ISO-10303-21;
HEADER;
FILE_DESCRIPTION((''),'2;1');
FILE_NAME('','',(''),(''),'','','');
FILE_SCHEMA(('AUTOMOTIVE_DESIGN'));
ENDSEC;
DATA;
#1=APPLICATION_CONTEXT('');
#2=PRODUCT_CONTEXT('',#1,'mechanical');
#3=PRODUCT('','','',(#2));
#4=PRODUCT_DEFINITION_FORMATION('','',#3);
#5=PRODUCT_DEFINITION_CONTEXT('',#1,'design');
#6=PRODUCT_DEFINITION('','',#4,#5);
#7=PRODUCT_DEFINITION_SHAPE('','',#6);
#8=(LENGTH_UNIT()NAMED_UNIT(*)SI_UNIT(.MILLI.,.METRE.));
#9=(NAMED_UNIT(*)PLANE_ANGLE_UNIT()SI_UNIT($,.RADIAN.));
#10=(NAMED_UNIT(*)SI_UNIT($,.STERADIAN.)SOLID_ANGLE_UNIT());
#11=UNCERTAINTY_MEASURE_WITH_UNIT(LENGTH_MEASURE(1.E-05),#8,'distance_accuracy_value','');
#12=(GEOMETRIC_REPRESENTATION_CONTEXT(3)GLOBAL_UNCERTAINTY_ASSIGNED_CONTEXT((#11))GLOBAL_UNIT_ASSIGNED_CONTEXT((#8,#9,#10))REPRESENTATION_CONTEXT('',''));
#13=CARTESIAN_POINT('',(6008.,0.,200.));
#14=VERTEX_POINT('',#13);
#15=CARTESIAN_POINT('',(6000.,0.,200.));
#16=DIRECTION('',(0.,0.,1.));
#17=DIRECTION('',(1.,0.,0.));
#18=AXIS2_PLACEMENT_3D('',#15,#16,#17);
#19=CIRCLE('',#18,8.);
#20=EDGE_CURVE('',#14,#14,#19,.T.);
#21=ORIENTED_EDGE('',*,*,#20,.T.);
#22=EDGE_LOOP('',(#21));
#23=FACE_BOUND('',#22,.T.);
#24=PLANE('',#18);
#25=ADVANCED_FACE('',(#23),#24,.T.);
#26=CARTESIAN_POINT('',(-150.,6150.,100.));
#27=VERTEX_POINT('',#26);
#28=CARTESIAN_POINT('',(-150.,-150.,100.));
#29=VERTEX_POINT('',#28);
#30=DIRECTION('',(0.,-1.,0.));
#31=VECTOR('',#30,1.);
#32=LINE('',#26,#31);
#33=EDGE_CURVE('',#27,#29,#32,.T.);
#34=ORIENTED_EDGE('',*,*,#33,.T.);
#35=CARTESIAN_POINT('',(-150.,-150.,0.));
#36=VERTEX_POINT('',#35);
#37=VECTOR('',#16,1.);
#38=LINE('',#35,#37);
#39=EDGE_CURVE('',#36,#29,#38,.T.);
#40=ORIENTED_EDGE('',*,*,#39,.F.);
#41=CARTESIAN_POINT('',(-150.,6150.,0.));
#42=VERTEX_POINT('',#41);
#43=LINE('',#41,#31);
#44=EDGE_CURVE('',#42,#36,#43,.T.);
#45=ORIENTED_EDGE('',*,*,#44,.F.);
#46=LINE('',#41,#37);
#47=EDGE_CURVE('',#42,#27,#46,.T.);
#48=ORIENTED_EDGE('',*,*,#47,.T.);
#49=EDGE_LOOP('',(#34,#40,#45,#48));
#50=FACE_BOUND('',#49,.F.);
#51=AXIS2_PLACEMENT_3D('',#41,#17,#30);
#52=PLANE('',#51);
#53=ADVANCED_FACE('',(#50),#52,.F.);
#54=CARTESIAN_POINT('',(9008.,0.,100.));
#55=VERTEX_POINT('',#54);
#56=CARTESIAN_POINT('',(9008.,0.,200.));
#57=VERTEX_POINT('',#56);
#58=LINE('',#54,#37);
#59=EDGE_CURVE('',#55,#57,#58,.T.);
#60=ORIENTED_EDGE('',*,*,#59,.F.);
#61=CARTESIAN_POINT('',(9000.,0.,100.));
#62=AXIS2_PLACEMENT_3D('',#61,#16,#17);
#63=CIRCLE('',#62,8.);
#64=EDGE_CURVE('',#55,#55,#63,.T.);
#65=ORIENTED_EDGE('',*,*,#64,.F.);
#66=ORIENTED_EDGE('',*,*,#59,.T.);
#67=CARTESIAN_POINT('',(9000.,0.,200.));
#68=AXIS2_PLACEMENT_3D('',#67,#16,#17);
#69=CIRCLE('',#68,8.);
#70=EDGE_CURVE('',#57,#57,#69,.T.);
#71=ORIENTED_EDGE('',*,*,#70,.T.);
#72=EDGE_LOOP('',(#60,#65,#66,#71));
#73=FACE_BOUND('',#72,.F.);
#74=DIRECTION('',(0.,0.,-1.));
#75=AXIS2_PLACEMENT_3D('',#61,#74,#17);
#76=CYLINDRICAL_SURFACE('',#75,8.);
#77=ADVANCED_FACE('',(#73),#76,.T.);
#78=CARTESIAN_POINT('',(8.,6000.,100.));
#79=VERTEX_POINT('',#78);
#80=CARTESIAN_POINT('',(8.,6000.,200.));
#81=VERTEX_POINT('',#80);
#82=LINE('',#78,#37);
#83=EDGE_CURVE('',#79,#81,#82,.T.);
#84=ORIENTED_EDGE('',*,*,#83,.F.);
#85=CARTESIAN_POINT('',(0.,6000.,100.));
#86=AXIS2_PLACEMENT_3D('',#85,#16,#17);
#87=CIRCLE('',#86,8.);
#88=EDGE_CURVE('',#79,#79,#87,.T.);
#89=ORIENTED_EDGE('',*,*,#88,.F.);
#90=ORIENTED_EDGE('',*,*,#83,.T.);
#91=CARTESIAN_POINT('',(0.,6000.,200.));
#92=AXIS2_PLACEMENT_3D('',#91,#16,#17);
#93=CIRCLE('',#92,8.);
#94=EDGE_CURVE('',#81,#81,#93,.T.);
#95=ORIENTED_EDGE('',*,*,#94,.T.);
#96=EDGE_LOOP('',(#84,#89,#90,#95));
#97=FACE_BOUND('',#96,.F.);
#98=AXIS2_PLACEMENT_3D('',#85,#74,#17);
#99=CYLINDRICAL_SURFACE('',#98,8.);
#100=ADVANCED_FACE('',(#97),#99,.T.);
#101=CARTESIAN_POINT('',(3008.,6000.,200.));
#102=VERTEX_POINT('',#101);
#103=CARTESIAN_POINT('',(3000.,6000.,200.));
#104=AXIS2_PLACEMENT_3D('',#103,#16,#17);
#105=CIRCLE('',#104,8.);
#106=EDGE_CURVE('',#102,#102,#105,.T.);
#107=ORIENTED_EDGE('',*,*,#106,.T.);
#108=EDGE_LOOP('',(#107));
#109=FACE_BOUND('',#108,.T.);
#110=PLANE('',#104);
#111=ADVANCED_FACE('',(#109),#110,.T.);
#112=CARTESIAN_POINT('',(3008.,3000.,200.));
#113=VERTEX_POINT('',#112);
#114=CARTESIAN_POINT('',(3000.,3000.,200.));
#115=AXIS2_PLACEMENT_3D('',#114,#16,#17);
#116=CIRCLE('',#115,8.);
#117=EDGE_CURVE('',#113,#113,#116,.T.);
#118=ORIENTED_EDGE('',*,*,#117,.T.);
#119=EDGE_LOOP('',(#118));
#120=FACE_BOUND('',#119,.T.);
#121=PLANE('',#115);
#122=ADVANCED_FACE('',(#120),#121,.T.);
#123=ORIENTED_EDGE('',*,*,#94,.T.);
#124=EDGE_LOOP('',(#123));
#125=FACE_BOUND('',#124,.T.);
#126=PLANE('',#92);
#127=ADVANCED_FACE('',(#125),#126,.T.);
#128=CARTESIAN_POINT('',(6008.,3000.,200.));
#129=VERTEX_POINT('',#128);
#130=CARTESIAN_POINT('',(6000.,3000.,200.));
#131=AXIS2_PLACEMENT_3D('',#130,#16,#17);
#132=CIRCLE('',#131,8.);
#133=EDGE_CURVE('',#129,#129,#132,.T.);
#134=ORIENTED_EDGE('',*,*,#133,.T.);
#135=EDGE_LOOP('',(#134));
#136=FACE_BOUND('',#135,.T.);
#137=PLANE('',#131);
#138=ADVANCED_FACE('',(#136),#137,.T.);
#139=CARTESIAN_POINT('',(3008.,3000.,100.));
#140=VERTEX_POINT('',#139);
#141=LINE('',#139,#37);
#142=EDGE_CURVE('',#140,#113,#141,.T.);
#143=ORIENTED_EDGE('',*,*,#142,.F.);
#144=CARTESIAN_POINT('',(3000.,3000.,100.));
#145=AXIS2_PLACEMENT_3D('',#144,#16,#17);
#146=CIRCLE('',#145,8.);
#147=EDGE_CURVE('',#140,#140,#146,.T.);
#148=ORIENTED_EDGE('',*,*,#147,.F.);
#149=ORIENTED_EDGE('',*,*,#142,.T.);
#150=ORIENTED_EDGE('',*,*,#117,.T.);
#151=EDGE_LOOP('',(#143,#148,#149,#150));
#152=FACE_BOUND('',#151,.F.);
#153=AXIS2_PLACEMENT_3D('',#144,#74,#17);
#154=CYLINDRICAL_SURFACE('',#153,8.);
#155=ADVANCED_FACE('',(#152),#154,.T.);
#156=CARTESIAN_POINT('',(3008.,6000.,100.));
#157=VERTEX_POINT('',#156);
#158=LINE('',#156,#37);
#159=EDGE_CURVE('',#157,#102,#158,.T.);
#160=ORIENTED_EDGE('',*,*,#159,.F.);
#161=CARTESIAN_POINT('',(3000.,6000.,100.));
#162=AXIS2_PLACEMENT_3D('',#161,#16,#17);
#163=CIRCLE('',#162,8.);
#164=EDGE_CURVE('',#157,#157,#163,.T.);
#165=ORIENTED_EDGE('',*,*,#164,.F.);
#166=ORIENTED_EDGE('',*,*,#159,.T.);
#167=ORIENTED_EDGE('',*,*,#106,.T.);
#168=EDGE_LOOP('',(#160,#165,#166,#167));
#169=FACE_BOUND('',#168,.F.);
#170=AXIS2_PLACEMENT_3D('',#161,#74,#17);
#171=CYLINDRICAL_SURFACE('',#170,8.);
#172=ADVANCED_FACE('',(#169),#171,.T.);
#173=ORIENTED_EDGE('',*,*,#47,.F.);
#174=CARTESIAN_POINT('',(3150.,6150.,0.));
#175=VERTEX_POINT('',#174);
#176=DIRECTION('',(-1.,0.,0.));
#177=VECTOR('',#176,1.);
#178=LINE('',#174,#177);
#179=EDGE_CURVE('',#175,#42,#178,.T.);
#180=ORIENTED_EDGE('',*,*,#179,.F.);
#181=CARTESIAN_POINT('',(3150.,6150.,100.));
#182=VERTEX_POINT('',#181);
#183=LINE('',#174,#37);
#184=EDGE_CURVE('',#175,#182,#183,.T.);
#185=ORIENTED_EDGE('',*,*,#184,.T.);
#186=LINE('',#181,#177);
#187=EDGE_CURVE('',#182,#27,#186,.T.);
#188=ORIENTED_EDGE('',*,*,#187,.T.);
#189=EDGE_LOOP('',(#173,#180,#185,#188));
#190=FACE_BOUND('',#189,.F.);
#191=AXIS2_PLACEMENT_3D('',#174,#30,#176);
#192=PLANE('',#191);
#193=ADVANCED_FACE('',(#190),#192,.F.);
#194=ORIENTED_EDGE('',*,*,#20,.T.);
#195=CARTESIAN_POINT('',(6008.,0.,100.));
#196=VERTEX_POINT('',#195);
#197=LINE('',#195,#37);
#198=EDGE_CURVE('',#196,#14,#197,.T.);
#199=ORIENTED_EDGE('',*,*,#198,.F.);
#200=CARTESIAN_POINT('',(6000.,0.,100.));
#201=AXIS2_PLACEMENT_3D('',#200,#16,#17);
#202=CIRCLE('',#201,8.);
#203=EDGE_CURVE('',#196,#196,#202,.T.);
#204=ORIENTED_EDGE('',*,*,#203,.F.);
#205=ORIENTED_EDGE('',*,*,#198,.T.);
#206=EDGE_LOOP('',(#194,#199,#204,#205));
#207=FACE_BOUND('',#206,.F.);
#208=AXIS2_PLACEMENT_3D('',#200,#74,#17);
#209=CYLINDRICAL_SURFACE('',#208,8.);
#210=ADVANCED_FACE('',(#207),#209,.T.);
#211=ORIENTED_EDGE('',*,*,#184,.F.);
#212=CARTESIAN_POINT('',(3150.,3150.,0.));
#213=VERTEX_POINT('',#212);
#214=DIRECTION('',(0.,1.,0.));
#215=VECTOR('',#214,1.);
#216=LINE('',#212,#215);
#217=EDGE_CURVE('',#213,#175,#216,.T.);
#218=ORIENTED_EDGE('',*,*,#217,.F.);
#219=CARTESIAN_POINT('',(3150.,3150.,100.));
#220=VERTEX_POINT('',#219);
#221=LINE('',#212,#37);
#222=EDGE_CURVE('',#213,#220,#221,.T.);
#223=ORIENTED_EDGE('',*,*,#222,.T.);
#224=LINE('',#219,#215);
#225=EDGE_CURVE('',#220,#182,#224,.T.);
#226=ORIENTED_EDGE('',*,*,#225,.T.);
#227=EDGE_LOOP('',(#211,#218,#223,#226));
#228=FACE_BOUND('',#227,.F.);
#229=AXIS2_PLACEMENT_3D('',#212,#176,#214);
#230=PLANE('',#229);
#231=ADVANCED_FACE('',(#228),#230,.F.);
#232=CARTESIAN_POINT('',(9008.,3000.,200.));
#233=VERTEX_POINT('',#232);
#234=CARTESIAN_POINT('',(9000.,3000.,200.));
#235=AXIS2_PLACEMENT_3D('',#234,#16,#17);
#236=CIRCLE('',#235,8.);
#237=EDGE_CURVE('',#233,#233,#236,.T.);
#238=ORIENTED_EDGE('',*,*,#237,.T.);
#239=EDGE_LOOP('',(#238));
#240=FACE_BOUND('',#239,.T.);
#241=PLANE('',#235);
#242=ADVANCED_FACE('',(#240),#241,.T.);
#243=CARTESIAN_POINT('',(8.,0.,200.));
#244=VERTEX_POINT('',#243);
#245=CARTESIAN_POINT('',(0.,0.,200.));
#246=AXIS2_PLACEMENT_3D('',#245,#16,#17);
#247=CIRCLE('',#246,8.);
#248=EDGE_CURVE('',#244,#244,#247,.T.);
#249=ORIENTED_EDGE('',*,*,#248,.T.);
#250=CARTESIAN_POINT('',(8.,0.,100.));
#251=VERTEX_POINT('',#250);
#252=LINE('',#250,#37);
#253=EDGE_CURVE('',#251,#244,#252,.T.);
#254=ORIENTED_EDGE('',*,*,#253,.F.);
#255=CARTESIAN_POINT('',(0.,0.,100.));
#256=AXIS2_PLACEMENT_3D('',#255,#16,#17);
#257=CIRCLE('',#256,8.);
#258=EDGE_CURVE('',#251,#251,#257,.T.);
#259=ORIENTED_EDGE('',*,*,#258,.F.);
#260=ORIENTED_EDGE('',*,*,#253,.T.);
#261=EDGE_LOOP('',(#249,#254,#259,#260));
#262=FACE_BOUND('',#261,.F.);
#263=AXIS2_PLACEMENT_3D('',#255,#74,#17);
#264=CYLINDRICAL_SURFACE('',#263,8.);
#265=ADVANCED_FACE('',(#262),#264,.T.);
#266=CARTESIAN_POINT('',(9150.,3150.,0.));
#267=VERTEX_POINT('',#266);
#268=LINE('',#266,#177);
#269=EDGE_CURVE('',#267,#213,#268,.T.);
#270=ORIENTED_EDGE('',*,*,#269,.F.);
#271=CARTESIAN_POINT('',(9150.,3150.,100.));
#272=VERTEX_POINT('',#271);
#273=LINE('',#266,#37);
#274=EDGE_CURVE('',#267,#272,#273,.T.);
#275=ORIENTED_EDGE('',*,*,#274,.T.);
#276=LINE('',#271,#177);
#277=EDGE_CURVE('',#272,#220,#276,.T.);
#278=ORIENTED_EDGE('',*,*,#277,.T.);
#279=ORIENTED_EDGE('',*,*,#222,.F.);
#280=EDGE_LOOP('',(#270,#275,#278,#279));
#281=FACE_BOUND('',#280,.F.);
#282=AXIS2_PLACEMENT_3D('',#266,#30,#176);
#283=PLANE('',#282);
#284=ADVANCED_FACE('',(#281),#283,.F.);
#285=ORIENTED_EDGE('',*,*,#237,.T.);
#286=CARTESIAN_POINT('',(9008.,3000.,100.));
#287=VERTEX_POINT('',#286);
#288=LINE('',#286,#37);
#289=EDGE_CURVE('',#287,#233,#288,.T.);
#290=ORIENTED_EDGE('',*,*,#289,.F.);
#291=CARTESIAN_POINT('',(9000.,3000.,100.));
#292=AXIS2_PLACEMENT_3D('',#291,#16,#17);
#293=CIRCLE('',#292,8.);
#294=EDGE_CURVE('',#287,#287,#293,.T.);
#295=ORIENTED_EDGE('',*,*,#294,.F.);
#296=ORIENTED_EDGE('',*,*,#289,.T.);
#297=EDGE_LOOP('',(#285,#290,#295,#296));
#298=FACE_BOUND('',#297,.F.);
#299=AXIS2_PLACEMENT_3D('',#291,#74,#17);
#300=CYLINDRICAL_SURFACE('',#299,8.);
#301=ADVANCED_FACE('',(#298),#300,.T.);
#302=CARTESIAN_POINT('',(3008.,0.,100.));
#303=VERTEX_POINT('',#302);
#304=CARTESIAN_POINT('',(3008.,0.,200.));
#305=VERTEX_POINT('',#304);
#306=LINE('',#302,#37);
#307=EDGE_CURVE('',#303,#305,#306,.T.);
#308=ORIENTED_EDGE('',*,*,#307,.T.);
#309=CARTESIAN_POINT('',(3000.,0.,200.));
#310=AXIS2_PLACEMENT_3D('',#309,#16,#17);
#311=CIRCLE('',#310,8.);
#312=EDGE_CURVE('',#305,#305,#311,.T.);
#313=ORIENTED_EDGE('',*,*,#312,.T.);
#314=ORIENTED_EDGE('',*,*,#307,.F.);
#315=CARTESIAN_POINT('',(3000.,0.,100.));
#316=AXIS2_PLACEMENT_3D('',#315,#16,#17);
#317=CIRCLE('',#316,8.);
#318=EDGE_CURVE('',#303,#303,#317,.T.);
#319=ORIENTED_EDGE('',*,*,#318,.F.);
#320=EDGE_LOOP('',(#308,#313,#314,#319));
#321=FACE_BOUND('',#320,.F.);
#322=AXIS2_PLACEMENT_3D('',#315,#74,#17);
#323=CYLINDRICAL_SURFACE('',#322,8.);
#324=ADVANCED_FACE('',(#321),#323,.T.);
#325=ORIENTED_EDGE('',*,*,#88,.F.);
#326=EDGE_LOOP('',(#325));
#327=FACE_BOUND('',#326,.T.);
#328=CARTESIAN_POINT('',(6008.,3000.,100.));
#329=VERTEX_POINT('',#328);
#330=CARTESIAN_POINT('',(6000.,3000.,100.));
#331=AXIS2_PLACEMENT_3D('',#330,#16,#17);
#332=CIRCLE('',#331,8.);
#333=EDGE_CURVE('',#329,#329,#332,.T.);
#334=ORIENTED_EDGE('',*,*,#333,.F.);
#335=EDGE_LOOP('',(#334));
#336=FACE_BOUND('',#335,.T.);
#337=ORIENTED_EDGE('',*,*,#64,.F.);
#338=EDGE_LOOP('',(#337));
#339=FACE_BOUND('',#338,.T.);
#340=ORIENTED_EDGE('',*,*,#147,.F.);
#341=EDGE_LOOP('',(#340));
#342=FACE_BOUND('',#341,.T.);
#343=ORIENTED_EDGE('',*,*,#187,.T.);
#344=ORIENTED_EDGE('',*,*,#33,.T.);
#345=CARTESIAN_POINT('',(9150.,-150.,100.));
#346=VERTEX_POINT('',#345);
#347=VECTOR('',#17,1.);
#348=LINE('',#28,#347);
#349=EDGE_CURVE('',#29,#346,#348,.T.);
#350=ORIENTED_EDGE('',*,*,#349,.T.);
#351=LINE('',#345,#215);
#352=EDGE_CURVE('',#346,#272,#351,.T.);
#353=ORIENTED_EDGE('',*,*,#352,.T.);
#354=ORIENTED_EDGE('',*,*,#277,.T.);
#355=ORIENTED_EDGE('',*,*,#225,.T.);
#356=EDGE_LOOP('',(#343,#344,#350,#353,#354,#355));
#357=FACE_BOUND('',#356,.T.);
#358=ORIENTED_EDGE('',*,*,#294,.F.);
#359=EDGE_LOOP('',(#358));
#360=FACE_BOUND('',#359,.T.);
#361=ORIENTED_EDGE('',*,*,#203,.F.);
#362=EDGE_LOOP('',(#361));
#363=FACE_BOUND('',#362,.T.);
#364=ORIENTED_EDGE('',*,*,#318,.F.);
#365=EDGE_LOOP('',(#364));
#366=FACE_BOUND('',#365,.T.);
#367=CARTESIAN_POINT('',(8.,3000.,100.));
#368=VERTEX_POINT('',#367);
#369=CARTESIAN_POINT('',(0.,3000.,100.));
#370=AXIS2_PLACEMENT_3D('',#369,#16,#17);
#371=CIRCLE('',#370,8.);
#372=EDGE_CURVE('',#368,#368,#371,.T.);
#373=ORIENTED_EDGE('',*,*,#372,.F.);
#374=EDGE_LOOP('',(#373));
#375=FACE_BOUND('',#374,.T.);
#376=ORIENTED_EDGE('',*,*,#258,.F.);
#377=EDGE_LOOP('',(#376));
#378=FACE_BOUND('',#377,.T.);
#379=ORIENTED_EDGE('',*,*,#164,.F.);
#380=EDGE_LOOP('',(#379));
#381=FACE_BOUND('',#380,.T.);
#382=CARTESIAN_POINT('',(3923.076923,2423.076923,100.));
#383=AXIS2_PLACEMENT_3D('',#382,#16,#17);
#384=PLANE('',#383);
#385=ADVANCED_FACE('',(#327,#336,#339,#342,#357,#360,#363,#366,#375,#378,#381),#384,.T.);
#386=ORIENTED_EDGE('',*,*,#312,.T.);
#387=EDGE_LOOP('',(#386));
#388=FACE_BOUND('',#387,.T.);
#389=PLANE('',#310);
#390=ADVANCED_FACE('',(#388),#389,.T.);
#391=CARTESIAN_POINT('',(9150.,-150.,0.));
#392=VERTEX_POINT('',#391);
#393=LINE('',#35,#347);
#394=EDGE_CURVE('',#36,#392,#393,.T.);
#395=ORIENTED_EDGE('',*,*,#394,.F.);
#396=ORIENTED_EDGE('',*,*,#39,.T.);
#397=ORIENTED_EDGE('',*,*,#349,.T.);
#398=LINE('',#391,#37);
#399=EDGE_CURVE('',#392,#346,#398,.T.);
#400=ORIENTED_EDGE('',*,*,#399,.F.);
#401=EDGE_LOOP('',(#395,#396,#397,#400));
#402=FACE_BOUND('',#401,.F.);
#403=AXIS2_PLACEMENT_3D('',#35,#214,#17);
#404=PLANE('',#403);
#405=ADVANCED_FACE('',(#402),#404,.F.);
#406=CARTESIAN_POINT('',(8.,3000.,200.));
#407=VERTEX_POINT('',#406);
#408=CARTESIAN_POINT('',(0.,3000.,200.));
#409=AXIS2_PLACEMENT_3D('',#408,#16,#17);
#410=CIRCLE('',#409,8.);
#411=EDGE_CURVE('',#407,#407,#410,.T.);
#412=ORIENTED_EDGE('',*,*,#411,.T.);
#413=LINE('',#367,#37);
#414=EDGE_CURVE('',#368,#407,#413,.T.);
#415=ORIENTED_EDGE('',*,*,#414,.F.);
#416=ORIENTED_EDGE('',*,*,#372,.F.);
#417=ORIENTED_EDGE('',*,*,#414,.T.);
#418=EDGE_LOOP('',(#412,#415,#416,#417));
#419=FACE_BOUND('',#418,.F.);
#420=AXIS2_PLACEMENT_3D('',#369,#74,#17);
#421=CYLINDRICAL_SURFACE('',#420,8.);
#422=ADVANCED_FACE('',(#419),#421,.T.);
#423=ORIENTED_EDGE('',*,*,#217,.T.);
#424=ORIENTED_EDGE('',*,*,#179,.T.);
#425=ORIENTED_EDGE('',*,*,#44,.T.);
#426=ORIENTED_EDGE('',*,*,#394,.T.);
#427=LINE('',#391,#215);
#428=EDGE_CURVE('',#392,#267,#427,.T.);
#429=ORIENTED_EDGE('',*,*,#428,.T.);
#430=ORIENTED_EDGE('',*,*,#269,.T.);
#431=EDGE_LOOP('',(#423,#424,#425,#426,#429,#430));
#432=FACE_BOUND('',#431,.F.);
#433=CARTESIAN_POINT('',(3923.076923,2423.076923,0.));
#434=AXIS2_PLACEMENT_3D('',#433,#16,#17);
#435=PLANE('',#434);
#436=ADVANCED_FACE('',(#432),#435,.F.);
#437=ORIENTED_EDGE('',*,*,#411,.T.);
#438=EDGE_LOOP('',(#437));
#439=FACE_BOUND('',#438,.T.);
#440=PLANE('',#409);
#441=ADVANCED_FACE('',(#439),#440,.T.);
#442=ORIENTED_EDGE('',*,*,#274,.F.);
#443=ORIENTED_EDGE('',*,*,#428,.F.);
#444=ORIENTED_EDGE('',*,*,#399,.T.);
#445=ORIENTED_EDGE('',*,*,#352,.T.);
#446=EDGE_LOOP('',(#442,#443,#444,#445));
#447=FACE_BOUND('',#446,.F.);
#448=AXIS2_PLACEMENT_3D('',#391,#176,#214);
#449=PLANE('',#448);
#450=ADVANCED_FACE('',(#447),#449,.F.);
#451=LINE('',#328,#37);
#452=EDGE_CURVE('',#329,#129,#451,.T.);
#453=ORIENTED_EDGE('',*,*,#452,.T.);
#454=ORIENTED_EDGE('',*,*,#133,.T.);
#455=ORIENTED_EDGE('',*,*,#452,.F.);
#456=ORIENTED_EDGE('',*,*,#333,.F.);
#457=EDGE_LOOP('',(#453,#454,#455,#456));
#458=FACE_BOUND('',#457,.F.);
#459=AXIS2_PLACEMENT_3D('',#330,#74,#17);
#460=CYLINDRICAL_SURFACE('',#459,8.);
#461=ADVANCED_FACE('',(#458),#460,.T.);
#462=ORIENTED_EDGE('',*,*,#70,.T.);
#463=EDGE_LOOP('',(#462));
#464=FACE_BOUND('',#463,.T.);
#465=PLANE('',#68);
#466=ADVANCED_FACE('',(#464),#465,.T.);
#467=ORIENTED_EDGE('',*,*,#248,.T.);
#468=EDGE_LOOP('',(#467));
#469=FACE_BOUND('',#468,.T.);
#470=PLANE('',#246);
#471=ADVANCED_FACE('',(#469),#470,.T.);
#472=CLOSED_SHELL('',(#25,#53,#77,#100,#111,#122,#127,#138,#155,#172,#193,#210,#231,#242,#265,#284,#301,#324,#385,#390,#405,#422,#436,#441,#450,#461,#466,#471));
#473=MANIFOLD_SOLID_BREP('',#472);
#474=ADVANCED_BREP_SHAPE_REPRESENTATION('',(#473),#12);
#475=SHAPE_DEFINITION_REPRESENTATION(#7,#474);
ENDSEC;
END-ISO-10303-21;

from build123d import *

# Parameters (mm, degrees)
F1_DEPTH = 100
F2_R     = 8
F3_DEPTH = 100


with BuildPart() as f1:
    # F0 (on Top) → F1 (new body)
    with BuildSketch(Plane.XY):
        Polygon((-150, 6150), (-150, -150), (9150, -150), (9150, 3150), (3150, 3150), (3150, 6150), align=None)
    extrude(amount=F1_DEPTH)

    # F2 (on face) → F3 (join)
    with BuildSketch(Plane.XY.offset(100)):
        with Locations((9000, 0)):
            Circle(F2_R)
        with Locations((9000, 3000)):
            Circle(F2_R)
        with Locations((6000, 0)):
            Circle(F2_R)
        with Locations((6000, 3000)):
            Circle(F2_R)
        with Locations((3000, 0)):
            Circle(F2_R)
        with Locations((3000, 3000)):
            Circle(F2_R)
        Circle(F2_R)
        with Locations((0, 3000)):
            Circle(F2_R)
        with Locations((3000, 6000)):
            Circle(F2_R)
        with Locations((0, 6000)):
            Circle(F2_R)
    extrude(amount=F3_DEPTH)


solid = f1.part
